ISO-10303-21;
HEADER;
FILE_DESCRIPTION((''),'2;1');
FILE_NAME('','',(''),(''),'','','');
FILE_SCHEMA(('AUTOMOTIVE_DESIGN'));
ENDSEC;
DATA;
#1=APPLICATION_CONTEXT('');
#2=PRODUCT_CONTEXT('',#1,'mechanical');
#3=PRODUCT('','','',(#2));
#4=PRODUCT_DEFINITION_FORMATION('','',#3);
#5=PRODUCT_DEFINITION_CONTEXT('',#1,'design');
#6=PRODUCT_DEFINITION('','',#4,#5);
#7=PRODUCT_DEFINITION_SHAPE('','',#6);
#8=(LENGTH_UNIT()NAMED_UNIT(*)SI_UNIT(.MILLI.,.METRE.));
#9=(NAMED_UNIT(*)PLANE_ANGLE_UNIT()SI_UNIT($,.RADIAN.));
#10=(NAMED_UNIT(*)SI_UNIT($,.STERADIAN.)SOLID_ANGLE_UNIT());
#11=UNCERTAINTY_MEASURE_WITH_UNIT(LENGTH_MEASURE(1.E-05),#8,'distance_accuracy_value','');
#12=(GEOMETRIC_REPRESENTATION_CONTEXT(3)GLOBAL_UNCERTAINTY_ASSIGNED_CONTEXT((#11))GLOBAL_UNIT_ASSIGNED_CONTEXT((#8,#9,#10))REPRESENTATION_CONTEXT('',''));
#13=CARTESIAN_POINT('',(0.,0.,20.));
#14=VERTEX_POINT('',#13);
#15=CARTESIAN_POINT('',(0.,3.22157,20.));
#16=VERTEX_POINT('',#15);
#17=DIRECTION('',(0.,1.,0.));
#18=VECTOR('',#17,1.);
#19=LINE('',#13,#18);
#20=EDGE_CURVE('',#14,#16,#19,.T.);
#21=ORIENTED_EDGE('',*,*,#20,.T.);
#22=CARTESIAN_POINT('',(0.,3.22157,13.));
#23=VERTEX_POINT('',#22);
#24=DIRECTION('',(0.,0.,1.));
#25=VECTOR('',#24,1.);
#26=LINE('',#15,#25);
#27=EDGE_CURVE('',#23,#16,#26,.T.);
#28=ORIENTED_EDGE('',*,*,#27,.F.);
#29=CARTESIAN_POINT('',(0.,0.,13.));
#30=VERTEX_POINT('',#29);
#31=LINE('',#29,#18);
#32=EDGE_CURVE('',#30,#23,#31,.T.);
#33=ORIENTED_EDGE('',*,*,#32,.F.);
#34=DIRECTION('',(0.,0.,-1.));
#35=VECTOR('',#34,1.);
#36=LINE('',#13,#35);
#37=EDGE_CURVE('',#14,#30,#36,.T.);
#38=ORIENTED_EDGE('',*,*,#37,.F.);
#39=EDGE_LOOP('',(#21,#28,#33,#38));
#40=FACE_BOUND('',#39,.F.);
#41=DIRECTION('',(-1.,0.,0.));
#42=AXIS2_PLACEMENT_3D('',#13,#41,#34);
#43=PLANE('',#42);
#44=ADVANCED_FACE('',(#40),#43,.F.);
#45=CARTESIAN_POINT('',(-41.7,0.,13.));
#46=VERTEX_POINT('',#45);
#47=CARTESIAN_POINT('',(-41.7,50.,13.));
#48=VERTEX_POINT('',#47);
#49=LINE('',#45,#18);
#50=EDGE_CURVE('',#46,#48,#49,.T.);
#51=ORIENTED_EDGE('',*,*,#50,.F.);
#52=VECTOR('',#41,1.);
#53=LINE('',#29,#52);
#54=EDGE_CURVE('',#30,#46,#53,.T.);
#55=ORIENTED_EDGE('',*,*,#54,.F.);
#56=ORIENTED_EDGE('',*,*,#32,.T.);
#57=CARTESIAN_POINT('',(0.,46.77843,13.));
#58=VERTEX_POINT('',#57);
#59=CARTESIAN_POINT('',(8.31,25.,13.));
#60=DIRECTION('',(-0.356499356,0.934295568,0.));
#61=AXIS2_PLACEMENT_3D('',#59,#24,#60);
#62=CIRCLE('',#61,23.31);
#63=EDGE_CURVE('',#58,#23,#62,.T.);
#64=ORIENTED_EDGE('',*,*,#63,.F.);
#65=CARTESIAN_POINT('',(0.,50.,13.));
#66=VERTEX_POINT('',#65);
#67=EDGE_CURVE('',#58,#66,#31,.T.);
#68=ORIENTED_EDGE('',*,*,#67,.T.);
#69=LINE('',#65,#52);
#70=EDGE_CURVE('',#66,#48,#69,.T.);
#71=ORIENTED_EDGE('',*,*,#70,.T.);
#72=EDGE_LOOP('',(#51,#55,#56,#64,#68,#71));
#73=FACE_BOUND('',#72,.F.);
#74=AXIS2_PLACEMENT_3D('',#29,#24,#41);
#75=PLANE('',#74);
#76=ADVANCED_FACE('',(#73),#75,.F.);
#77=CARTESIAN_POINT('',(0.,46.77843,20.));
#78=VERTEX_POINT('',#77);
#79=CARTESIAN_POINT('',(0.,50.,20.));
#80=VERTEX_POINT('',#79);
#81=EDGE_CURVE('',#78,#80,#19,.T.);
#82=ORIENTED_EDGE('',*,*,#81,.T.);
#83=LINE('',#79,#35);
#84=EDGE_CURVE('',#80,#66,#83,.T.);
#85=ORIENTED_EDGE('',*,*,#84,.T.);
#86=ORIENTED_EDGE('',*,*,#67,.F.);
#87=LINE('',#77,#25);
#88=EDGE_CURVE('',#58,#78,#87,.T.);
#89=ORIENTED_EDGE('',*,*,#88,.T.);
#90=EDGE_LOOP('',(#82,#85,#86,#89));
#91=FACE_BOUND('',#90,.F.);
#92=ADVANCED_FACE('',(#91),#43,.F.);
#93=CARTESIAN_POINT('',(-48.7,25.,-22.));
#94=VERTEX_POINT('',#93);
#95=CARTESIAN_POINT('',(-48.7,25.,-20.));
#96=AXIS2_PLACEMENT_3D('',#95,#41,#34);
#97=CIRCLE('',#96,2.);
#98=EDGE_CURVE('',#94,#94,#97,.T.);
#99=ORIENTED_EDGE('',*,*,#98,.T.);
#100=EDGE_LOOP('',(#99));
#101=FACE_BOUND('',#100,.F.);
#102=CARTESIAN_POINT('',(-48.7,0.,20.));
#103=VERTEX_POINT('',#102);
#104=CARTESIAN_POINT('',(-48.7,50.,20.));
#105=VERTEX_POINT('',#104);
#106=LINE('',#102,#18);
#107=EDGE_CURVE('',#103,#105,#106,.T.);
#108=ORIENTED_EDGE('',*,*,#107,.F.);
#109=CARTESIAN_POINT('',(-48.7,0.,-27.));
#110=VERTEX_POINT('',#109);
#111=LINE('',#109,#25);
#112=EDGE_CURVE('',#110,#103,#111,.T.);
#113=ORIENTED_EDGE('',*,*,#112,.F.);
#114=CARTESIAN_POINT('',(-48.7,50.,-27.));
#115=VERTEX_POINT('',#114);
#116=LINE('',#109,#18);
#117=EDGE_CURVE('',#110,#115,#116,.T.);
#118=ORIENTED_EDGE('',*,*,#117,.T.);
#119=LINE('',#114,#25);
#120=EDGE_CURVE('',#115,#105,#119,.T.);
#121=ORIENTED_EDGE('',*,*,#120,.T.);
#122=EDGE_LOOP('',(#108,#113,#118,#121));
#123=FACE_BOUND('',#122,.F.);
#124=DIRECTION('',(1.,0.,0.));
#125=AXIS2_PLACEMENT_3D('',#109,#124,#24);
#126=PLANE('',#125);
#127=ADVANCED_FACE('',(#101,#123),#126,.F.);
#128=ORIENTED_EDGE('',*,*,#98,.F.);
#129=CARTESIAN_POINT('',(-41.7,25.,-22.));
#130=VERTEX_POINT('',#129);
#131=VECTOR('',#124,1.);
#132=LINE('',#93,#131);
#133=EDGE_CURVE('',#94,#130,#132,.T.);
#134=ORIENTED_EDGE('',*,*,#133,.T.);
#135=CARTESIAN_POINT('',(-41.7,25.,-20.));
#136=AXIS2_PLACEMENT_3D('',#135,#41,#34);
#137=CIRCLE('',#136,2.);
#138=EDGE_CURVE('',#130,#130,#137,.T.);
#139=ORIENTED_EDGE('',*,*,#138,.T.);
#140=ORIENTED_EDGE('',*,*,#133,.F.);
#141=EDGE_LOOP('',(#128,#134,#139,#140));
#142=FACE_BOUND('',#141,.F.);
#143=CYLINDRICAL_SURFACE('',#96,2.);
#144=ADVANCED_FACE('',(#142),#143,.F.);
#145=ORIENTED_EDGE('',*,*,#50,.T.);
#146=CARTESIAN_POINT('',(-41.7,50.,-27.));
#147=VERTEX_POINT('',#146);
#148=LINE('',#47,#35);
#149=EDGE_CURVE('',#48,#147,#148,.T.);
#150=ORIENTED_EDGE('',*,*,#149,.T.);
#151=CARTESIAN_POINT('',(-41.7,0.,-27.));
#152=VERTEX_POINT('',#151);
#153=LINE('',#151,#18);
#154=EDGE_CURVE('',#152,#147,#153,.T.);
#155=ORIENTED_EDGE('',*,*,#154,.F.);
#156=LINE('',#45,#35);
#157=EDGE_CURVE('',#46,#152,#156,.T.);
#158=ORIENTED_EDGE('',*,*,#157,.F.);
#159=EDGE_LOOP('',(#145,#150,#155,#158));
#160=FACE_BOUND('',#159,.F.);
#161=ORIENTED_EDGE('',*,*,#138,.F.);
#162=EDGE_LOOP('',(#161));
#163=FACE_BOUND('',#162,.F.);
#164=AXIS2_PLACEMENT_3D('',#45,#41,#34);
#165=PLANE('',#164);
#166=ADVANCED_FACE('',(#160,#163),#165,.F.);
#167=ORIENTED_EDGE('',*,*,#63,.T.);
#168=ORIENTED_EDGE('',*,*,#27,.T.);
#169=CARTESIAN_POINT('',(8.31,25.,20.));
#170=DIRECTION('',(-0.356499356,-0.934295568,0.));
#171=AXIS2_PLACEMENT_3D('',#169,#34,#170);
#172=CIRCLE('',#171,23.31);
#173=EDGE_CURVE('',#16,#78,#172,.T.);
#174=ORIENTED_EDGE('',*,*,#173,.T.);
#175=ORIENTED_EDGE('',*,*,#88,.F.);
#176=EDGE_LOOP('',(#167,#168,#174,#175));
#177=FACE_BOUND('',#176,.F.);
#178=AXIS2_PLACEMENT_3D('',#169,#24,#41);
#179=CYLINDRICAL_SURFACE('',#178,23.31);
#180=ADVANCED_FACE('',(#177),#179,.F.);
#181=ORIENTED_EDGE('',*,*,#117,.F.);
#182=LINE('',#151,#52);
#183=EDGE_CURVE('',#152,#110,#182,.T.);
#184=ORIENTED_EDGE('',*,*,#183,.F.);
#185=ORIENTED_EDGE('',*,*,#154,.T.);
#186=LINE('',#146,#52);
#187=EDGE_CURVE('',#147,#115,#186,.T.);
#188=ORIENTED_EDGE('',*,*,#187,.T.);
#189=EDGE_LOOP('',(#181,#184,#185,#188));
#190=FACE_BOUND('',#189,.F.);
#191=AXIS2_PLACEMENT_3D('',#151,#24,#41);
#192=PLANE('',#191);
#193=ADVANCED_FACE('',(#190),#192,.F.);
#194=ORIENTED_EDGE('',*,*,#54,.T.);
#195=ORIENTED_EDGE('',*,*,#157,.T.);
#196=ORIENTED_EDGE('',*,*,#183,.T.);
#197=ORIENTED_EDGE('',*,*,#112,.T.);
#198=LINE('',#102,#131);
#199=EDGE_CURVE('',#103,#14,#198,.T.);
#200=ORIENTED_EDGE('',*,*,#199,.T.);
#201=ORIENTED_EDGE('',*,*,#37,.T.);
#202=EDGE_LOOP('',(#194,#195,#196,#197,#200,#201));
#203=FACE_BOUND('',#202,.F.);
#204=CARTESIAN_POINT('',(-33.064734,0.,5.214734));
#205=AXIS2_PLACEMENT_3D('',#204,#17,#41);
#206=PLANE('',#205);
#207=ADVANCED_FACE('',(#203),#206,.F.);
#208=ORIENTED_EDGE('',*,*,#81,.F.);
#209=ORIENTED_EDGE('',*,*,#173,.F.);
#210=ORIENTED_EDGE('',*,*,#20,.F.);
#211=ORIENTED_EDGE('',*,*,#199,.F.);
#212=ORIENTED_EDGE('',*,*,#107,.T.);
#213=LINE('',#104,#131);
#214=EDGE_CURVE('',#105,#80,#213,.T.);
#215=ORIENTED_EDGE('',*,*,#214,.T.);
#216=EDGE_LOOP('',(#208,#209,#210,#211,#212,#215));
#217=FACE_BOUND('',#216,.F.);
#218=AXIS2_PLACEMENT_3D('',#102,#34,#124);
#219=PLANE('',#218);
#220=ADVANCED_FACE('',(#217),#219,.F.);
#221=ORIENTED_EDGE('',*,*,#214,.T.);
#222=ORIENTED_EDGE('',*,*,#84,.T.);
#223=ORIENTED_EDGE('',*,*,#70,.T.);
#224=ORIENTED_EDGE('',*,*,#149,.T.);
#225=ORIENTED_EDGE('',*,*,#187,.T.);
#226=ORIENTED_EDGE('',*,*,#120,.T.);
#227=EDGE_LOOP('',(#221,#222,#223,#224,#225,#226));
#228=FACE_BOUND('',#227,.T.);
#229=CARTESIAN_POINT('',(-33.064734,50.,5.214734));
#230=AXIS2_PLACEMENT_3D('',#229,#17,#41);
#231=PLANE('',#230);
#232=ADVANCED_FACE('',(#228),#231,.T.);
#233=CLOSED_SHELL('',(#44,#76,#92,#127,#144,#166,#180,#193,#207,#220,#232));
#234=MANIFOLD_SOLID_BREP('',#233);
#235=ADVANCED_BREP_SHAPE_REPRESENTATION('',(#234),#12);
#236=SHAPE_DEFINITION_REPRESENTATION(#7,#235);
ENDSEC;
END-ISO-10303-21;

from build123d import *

# Parameters (mm, degrees)
PAD_DEPTH       = 50
SKETCH001_R     = 23.31
POCKET_DEPTH    = 7
SKETCH002_R     = 2
POCKET001_DEPTH = 7


with BuildPart() as part:
    # Sketch → Pad (new body)
    with BuildSketch(Plane.XZ):
        Polygon((-41.7, -27), (-48.7, -27), (-48.7, 20), (0, 20), (0, 13), (-41.7, 13), align=None)
    extrude(amount=-PAD_DEPTH)

    # Sketch001 → Pocket (cut)
    with BuildSketch(Plane(origin=(0, 0, 20), x_dir=(-1, 0, 0), z_dir=(0, 0, 1))):
        with Locations((-8.31, -25)):
            Circle(SKETCH001_R)
    extrude(amount=-POCKET_DEPTH, mode=Mode.SUBTRACT)

    # Sketch002 → Pocket001 (cut)
    with BuildSketch(Plane(origin=(-48.7, 0, 0), x_dir=(0, 0, -1), z_dir=(-1, 0, 0))):
        with Locations((20, -25)):
            Circle(SKETCH002_R)
    extrude(amount=-POCKET001_DEPTH, mode=Mode.SUBTRACT)


solid = part.part
